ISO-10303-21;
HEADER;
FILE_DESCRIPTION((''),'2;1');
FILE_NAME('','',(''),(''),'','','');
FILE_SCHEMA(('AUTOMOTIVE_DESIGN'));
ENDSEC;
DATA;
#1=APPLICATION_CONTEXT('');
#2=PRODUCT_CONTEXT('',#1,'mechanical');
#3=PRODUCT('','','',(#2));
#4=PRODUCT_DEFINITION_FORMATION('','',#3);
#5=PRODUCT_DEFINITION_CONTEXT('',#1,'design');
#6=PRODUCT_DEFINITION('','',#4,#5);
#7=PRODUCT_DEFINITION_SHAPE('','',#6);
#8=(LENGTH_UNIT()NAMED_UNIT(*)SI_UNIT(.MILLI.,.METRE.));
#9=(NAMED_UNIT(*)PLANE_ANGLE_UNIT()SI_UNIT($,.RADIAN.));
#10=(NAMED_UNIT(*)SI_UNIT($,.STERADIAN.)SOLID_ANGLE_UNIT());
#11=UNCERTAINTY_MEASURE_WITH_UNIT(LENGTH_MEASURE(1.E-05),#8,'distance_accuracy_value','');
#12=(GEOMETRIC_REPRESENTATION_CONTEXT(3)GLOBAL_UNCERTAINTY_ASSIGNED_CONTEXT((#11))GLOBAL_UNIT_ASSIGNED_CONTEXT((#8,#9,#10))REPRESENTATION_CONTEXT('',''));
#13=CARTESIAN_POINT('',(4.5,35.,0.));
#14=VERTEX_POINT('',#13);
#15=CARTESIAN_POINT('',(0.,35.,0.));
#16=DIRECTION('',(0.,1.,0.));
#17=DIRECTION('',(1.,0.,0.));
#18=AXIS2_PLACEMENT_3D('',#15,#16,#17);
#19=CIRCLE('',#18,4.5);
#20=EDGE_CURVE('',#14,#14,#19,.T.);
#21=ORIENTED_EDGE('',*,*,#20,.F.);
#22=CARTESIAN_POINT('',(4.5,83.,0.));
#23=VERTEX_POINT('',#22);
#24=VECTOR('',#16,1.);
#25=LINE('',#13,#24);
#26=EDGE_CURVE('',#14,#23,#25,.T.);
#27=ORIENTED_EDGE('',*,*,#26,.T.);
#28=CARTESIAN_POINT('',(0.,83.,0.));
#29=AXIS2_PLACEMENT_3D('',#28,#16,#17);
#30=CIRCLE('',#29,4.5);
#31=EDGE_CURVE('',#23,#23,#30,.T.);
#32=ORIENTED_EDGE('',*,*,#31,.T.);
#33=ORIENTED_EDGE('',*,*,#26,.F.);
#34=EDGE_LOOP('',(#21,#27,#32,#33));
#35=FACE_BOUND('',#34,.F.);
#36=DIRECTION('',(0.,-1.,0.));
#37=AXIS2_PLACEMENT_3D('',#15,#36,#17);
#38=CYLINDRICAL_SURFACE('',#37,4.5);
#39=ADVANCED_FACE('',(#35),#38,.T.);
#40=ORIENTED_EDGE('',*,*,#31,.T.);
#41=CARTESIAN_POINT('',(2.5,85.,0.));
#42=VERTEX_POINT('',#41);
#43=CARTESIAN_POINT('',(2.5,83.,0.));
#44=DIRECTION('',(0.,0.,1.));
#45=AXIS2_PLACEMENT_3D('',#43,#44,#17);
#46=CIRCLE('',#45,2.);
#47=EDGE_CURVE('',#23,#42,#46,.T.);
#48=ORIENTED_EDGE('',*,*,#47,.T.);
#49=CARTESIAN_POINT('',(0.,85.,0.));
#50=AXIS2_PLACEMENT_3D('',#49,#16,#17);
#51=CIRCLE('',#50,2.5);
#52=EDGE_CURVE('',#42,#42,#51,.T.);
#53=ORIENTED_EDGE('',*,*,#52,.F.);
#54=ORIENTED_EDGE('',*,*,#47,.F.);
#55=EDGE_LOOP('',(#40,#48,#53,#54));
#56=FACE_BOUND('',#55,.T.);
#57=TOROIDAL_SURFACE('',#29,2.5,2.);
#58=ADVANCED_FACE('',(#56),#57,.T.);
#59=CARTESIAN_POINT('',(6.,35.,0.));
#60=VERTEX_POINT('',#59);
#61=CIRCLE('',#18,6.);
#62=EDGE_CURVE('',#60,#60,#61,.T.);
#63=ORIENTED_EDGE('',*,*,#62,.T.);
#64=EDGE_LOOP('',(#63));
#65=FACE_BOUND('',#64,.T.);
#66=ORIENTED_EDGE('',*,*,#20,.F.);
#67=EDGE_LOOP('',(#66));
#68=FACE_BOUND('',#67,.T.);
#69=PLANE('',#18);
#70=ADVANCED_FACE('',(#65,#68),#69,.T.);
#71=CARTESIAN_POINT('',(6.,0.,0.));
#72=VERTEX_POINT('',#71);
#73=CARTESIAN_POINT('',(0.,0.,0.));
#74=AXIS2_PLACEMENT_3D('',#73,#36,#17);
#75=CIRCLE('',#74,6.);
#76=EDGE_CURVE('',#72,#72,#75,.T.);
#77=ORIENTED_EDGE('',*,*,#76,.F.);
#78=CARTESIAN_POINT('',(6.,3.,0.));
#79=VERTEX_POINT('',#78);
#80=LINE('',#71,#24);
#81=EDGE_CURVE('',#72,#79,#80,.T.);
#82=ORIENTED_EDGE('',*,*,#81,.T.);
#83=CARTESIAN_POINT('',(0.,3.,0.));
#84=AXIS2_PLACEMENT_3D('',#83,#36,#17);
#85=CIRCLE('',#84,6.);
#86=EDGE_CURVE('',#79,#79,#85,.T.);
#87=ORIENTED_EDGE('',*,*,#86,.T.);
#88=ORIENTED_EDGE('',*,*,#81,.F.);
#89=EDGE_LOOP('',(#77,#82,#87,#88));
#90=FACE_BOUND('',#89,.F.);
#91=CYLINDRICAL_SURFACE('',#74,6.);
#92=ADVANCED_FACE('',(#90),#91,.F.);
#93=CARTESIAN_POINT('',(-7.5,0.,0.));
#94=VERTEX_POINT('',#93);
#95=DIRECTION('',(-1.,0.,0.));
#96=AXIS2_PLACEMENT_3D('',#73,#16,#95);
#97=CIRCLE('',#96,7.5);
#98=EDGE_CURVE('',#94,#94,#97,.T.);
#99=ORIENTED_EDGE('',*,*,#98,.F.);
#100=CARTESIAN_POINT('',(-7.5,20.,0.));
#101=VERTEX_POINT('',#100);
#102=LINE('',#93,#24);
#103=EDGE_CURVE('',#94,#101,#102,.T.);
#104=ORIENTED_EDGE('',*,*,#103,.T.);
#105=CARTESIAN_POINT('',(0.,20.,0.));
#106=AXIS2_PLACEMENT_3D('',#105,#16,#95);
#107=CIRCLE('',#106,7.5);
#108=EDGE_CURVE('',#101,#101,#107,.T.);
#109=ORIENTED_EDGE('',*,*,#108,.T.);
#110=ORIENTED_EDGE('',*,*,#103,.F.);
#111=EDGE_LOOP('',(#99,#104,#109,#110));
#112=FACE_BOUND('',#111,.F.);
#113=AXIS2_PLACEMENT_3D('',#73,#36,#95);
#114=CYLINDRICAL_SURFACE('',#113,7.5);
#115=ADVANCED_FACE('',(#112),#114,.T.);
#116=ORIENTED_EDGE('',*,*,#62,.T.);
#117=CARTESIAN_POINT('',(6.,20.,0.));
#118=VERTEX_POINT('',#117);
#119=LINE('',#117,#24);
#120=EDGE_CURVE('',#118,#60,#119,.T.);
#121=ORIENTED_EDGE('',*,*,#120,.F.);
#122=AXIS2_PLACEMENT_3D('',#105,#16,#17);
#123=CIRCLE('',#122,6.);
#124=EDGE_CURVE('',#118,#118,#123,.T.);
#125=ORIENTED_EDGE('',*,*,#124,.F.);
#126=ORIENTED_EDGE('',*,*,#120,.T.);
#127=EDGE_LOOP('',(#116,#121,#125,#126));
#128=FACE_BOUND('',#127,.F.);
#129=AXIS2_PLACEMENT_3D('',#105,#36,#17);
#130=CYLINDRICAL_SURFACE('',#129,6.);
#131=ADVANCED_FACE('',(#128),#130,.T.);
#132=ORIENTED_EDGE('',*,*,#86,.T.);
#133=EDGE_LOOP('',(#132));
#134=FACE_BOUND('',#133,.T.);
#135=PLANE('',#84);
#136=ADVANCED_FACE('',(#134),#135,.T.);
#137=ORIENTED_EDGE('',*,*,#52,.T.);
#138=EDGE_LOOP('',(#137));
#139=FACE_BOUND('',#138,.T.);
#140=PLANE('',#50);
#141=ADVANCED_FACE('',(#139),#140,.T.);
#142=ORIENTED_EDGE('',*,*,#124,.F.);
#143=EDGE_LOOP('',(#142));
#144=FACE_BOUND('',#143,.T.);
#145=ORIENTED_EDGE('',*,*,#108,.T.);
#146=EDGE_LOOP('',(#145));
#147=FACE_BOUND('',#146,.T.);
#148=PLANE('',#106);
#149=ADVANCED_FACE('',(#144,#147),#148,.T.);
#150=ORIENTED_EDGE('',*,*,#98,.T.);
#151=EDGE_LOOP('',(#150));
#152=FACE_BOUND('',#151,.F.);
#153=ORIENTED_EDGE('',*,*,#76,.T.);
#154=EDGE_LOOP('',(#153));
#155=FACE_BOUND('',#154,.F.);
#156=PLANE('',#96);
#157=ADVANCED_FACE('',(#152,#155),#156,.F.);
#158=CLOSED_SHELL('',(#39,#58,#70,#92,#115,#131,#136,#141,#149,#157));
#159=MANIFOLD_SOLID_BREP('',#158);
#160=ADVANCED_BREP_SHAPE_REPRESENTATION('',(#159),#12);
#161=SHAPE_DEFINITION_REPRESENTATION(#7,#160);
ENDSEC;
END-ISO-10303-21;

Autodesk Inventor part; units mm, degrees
ref_plane "YZ Plane" through (0, 0, 0) normal (1, 0, 0) x (0, 1, 0)
ref_plane "XZ Plane" through (0, 0, 0) normal (0, 1, 0) x (-1, 0, 0)
ref_plane "XY Plane" through (0, 0, 0) normal (0, 0, 1) x (1, 0, 0)
sketch "Sketch1" plane through (0, 0, 0) normal (0, 1, 0) x (-1, 0, 0)
  circle A0 centre (0, 0) radius 7.5
  dimension "d0" = 15
extrude "Extrusion1" add sketch "Sketch1" along normal blind 20
sketch "Sketch2" plane through (0, 20, 0) normal (0, 1, 0) x (1, 0, 0)
  circle A0 centre (0, 0) radius 6
  dimension "d3" = 12
extrude "Extrusion2" add sketch "Sketch2" along normal blind 15
sketch "Sketch3" plane through (0, 35, 0) normal (0, 1, 0) x (1, 0, 0)
  circle A0 centre (0, 0) radius 4.5
  dimension "d6" = 9
extrude "Extrusion3" add sketch "Sketch3" along normal blind 50
sketch "Sketch4" plane through (0, 85, 0) normal (0, 1, 0) x (1, 0, 0)
  point P0 (0, 0)
fillet "Fillet1" radius 2 1 edges at (-4.5, 85, 0)
sketch "Sketch5" plane through (0, 0, 0) normal (0, -1, 0) x (1, 0, 0)
  point P0 (0, 0)
sketch "Sketch6" plane through (0, 0, 0) normal (0, -1, 0) x (1, 0, 0)
  circle A0 centre (0, 0) radius 6
  dimension "d10" = 12
extrude "Extrusion4" cut sketch "Sketch6" against normal blind 3
properties part number "Antenna that serves no purpose other than to look cool"
